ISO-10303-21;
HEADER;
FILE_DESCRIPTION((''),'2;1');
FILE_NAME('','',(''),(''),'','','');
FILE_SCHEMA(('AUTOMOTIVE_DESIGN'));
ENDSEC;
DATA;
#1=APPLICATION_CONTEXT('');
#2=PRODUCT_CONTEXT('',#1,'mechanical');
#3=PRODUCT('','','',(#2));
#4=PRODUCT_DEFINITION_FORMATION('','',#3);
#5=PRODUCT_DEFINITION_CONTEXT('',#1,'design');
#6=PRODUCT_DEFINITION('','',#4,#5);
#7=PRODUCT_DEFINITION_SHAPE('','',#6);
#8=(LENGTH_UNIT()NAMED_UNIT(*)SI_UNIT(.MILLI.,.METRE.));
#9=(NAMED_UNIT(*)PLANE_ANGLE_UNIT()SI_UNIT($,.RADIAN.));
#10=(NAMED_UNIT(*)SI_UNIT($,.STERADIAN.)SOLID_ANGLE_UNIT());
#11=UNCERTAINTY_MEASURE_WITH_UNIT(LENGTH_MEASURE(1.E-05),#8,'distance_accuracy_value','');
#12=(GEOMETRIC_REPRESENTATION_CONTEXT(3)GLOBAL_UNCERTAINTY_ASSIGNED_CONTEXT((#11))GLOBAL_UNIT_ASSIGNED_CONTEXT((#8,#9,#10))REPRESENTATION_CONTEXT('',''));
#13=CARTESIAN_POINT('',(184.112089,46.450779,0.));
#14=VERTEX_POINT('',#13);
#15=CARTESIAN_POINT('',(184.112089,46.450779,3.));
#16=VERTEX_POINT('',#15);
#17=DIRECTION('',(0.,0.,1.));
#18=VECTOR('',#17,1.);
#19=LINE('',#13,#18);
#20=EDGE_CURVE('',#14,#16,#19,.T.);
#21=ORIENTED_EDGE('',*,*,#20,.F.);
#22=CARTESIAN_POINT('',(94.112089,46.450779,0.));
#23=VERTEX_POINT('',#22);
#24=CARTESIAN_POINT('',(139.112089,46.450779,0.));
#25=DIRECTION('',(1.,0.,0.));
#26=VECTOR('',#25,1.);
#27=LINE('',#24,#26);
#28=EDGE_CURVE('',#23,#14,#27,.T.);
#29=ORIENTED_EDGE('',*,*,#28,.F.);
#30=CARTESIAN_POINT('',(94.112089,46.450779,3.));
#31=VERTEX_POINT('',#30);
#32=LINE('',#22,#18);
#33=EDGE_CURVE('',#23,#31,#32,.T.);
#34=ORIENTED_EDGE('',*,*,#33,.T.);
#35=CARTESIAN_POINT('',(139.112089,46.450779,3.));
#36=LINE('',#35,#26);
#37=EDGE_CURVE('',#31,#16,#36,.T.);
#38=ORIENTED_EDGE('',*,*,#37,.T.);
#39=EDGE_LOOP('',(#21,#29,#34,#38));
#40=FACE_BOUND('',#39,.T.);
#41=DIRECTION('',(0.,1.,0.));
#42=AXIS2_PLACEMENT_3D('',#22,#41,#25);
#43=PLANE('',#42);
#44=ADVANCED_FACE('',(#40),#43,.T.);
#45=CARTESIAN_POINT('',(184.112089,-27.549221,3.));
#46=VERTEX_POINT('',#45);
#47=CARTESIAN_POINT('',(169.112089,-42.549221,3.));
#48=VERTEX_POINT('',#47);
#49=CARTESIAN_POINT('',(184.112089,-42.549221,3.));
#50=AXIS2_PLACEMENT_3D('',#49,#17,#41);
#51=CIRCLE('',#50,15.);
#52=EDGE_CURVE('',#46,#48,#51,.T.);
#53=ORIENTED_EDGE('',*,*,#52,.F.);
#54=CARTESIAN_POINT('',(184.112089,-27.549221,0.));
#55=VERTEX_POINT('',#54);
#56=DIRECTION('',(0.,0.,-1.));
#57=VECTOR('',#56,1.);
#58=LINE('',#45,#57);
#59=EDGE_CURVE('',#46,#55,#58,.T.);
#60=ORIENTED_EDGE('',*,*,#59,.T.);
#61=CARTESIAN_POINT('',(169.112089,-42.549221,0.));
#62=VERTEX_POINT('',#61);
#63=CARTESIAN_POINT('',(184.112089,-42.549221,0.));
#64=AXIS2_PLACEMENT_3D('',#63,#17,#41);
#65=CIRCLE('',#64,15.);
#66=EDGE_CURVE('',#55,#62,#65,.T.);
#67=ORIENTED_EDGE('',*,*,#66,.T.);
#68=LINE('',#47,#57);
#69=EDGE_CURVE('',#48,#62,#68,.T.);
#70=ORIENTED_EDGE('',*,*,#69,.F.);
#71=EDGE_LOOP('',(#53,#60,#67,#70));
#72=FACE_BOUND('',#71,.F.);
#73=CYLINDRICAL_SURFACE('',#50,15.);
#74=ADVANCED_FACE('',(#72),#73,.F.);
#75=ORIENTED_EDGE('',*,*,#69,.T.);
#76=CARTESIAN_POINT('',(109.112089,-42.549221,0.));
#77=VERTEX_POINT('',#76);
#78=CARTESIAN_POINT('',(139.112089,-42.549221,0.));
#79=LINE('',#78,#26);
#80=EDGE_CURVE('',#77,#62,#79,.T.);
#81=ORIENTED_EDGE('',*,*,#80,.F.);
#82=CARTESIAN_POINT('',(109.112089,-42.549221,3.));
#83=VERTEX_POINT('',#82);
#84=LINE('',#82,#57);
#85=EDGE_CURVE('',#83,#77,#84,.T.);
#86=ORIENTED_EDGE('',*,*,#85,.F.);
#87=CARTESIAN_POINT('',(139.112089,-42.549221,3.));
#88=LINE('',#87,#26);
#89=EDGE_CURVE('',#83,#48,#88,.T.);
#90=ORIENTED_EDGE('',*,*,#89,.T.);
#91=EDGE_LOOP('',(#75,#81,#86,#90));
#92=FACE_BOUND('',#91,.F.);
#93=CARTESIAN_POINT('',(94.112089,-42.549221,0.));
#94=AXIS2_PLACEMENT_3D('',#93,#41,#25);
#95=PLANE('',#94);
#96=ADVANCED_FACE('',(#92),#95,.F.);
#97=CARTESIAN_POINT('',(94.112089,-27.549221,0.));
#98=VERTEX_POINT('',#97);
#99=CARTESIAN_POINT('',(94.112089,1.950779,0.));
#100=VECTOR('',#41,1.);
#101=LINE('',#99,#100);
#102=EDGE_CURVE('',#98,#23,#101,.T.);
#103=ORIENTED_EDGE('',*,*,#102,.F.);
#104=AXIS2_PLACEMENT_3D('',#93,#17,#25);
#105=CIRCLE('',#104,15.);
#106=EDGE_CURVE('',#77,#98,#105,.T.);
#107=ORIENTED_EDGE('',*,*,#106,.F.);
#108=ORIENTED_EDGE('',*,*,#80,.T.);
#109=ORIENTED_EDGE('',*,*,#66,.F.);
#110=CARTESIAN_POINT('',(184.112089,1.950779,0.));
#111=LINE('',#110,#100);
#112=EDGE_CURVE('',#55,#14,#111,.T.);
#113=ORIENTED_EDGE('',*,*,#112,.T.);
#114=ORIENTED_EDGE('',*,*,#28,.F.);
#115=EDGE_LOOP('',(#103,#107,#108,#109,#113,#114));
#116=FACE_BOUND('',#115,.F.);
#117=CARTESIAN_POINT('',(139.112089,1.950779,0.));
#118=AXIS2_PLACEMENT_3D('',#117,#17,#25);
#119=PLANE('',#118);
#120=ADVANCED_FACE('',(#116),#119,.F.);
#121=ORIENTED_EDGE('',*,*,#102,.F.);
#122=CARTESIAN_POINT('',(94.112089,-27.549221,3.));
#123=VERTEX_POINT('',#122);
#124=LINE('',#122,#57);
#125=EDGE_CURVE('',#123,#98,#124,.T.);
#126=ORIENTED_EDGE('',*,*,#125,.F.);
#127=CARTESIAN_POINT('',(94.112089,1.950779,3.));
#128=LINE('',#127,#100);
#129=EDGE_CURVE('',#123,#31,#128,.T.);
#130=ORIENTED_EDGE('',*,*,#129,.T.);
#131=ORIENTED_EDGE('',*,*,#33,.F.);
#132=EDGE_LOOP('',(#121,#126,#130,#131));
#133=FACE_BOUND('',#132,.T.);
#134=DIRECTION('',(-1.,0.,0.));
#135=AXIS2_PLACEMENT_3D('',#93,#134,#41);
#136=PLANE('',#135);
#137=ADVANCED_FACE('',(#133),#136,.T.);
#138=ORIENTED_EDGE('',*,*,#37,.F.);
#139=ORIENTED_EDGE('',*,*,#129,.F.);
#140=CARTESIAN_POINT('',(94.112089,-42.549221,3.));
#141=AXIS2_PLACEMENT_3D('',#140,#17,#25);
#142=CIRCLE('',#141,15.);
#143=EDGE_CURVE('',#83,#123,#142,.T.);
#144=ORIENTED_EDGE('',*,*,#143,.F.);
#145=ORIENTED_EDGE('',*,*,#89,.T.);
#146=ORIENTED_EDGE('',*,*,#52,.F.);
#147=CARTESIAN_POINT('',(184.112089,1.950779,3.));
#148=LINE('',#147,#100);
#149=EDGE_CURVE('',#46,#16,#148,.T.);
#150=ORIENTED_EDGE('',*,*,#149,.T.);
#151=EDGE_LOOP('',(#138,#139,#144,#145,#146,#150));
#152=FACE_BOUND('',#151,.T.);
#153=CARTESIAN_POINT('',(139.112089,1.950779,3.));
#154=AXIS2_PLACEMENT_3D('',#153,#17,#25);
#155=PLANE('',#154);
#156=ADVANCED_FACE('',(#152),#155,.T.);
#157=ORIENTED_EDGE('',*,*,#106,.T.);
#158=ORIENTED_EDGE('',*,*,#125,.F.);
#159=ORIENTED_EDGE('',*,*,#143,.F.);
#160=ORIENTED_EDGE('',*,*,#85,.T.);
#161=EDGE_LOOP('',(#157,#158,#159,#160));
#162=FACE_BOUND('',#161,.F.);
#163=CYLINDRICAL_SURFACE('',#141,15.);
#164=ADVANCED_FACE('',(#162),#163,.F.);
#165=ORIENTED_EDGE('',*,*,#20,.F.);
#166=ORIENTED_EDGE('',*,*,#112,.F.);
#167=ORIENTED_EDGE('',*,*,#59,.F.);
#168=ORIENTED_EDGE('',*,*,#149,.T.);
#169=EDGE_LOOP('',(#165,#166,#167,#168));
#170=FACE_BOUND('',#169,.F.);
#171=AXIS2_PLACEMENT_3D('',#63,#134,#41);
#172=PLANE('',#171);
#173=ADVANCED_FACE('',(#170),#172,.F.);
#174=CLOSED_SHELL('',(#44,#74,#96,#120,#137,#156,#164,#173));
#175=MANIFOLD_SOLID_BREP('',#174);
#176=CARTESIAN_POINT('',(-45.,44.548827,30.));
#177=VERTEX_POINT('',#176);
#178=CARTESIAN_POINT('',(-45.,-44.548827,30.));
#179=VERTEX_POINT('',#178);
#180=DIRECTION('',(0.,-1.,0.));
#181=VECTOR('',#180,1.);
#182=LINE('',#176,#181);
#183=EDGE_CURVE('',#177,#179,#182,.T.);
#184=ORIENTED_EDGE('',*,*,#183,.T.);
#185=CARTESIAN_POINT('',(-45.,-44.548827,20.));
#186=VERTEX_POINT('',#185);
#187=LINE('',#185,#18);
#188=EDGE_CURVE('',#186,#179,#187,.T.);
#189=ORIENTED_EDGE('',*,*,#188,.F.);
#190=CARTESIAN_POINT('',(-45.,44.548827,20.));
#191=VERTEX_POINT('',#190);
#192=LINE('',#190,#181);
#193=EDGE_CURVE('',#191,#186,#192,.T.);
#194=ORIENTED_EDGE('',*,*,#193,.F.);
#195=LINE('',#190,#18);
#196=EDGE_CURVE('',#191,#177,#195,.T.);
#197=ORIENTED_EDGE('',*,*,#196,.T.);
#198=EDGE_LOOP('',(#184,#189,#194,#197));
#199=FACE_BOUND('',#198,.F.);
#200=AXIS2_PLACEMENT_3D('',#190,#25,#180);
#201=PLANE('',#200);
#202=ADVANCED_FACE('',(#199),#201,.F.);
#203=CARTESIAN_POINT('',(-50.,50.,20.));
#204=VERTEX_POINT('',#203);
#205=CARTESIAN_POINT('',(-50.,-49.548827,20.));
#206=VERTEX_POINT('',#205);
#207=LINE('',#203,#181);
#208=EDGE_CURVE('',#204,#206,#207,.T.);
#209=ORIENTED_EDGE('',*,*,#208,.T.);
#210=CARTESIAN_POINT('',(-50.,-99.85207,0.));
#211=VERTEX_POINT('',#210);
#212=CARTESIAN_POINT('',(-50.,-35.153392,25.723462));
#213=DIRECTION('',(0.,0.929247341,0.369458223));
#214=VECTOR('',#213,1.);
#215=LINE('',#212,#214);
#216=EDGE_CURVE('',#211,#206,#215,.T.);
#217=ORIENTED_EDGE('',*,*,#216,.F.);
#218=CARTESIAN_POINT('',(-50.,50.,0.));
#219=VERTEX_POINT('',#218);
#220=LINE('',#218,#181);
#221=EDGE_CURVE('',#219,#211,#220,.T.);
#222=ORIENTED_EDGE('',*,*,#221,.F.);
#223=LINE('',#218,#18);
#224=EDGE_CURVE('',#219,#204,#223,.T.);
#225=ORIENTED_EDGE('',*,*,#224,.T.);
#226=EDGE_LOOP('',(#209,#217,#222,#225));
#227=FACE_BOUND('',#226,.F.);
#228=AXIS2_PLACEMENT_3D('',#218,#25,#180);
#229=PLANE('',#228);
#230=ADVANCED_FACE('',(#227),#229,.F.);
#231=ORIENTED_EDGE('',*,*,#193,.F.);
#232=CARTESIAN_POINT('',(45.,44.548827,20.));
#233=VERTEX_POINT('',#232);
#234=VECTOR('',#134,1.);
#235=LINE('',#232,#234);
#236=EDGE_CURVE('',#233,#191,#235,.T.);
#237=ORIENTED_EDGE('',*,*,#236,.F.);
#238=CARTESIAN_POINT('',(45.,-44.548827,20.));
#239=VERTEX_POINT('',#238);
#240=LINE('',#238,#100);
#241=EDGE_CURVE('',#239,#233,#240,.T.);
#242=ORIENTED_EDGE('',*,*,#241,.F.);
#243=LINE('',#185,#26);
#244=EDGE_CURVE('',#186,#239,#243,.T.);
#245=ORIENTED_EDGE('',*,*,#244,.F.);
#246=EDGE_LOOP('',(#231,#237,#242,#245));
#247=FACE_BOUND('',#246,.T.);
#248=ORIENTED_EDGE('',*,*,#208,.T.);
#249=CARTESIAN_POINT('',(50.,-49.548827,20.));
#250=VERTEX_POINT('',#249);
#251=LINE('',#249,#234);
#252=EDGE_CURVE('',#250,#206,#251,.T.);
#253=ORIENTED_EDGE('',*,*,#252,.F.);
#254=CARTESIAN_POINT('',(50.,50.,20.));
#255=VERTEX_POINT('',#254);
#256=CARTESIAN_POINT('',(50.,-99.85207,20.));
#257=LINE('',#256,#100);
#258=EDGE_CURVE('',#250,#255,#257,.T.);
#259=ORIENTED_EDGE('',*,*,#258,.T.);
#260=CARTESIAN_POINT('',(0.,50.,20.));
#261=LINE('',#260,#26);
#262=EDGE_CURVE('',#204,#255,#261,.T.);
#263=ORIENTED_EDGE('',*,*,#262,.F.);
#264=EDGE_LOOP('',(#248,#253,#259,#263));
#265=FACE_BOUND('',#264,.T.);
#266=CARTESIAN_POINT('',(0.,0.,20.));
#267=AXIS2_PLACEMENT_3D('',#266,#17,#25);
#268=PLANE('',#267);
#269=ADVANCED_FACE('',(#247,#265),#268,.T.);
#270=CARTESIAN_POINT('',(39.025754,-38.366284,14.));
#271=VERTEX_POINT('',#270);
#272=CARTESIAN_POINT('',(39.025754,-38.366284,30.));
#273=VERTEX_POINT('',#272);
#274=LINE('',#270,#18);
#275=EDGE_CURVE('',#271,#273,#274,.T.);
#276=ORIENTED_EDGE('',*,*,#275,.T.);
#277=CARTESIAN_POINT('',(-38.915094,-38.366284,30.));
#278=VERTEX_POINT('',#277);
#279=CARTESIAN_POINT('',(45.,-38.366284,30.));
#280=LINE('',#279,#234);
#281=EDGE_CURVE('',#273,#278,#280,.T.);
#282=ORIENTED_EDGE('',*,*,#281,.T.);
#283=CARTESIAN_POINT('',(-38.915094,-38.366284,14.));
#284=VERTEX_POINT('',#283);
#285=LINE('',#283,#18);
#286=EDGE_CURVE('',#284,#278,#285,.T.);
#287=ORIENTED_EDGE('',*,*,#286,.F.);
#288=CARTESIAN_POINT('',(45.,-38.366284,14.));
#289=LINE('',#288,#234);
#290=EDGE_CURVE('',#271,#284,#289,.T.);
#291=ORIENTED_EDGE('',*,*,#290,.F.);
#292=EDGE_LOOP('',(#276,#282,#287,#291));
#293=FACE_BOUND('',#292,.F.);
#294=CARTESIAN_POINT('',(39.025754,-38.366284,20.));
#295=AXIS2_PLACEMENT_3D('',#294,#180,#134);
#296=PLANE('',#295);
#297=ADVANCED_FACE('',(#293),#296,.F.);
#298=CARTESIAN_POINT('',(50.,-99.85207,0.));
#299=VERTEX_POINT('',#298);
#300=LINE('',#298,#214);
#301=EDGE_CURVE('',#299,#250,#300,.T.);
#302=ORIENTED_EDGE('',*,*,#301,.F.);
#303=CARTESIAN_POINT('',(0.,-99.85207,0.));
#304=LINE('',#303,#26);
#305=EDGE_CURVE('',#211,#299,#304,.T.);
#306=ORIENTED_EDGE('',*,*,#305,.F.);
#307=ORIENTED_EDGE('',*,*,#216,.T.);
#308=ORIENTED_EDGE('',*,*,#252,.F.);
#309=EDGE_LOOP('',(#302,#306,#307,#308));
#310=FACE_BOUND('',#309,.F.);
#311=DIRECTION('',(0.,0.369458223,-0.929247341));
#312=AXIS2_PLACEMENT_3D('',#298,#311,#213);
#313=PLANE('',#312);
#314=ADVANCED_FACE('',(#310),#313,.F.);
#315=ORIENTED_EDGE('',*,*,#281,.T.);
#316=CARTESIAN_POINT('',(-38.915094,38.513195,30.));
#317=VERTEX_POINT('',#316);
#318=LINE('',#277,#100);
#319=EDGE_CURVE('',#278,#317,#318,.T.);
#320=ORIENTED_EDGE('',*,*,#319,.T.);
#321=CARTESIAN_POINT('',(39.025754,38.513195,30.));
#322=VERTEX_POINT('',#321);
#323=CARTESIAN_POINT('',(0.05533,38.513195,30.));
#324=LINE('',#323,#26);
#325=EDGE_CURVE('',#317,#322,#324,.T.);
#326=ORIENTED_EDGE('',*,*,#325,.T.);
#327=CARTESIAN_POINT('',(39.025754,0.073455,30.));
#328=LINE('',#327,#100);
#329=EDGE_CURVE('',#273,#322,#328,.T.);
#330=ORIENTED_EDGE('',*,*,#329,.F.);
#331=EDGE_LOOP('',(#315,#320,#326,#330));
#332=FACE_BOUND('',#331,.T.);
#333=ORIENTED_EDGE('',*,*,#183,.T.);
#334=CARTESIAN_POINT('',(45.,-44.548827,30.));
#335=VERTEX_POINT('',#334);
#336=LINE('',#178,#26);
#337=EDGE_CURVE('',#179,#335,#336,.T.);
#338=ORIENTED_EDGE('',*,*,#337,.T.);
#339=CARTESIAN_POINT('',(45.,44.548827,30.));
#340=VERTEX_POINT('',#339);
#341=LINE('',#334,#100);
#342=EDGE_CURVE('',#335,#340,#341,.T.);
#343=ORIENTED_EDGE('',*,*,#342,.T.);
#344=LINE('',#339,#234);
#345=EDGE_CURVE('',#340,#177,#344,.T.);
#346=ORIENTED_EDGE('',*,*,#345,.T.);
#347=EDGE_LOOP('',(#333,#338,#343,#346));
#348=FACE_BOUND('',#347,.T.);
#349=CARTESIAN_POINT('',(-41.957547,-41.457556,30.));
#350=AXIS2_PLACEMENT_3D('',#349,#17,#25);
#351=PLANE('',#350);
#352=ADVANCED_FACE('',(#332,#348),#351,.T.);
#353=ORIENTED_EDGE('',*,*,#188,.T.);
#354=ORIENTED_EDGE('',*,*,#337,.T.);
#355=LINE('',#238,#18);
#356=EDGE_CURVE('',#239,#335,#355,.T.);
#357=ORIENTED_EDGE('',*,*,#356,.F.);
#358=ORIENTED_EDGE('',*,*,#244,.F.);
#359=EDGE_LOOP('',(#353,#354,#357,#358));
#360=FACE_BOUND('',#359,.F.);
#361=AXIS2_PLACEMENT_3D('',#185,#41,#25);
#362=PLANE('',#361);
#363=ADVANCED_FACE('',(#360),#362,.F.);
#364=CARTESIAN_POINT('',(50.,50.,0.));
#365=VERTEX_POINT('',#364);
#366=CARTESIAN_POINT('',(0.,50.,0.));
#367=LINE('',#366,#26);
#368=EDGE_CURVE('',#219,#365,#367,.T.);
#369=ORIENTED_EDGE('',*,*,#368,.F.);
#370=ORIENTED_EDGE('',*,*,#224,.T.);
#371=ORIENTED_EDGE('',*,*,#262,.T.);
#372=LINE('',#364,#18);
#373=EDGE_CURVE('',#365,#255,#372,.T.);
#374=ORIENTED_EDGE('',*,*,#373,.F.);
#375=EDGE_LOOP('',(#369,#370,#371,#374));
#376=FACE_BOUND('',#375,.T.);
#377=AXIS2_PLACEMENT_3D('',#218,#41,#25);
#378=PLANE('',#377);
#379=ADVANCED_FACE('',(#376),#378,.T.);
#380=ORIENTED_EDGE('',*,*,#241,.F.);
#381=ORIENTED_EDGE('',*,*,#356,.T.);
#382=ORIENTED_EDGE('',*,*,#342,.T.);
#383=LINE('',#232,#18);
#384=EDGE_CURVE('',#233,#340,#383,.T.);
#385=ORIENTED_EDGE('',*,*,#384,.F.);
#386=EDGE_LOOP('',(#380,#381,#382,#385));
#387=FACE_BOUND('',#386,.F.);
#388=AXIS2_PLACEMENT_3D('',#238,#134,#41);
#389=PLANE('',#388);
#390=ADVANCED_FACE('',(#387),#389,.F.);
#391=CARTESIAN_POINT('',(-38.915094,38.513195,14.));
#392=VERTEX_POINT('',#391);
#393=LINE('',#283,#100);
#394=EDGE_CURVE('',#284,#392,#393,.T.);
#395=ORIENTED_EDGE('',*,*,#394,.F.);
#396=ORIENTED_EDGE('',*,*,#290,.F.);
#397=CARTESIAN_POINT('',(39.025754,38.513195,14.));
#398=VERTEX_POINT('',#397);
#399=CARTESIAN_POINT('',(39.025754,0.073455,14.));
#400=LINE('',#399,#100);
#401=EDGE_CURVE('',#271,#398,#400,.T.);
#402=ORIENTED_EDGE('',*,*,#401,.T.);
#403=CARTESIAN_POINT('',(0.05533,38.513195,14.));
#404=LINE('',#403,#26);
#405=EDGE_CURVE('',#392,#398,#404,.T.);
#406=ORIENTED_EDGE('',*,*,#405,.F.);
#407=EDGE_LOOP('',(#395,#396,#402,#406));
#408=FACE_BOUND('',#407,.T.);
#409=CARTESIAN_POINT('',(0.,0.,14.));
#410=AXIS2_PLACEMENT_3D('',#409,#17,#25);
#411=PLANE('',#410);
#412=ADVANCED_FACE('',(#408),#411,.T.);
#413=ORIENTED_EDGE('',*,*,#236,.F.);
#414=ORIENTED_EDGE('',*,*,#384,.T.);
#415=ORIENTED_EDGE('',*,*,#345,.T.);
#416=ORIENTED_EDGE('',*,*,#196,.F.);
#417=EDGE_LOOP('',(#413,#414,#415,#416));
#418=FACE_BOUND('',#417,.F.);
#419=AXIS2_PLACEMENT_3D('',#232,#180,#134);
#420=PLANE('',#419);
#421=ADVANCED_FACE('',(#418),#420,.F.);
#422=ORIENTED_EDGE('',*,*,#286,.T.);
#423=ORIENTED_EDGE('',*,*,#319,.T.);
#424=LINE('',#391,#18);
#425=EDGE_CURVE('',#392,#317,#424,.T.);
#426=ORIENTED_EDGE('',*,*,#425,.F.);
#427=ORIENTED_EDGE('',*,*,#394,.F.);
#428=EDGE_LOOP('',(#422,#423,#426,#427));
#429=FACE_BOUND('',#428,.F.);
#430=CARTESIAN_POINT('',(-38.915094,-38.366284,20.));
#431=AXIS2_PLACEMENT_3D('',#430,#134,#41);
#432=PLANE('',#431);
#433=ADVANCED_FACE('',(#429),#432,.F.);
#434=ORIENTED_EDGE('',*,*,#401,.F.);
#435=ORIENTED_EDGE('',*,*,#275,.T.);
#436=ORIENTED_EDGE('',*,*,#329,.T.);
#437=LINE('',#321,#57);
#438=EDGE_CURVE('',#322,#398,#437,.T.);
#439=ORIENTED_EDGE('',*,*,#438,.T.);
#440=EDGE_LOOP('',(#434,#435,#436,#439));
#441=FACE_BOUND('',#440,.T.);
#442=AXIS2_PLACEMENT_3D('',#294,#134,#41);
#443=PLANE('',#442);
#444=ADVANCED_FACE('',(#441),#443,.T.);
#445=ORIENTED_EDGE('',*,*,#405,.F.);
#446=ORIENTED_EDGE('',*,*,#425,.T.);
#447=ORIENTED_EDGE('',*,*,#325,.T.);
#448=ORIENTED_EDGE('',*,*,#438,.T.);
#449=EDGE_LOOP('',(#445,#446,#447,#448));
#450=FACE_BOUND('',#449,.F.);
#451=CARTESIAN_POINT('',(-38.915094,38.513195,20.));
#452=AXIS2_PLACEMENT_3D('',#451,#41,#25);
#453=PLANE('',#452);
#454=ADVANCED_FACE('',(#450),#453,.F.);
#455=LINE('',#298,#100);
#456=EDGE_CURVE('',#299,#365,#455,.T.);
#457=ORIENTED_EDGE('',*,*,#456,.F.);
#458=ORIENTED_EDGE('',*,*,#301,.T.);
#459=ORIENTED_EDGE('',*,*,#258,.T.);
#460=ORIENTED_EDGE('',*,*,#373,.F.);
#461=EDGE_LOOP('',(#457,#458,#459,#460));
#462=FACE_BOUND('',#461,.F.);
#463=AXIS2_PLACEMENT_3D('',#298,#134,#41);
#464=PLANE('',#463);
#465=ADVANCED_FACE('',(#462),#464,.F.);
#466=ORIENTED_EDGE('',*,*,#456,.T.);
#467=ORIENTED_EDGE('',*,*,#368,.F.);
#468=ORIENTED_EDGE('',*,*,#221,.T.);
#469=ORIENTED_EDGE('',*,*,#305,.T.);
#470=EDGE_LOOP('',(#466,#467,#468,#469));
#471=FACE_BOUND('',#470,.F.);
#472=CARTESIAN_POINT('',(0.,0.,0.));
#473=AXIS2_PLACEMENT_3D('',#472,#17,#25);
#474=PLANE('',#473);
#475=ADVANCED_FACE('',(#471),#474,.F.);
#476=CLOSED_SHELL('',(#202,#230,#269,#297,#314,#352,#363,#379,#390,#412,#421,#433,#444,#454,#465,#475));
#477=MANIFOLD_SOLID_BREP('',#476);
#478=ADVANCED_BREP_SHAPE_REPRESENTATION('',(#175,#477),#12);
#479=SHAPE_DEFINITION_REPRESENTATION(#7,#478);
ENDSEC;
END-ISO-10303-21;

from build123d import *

# Parameters (mm, degrees)
F0_W      = 100
F0_H      = 100
F0_H_2    = 49.8520702124
F1_DEPTH  = 20
F3_DEPTH  = 100.001
F4_W      = 6.0849060118
F4_H      = 6.1825428903
F4_W_2    = 77.9408477247
F4_H_2    = 76.879478991
F4_W_3    = 5.9742462635
F4_H_3    = 6.0356323421
F5_DEPTH  = 10
F6_DEPTH  = 6
F7_W      = 90
F7_H      = 89
F8_DEPTH  = 3
F10_DEPTH = 25


with BuildPart() as f1:
    # F0 (on Top) → F1 (new body)
    with BuildSketch(Plane.XY):
        Rectangle(F0_W, F0_H)
        with Locations((0, -74.9260351062)):
            Rectangle(F0_W, F0_H_2)
    extrude(amount=F1_DEPTH)

    # F2 (on face) → F3 (cut, through all)
    with BuildSketch(Plane.YZ.offset(50)):
        Polygon((-99.8520702124, 20), (-99.8520702124, 0), (-49.5488271117, 20), align=None)
    extrude(amount=-F3_DEPTH, mode=Mode.SUBTRACT)

    # F4 (on face) → F5 (join)
    with BuildSketch(Plane.XY.offset(20)):
        with Locations((-41.9575469941, -41.4575556666)):
            Rectangle(F4_W, F4_H)
        with Locations((0.0553298742, -41.4575556666)):
            Rectangle(F4_W_2, F4_H)
        with Locations((-41.9575469941, 0.0734552741)):
            Rectangle(F4_W, F4_H_2)
        with Locations((42.0128768682, -41.4575556666)):
            Rectangle(F4_W_3, F4_H)
        with Locations((-41.9575469941, 41.5310109407)):
            Rectangle(F4_W, F4_H_3)
        with Locations((0.0553298742, 41.5310109407)):
            Rectangle(F4_W_2, F4_H_3)
        with Locations((42.0128768682, 0.0734552741)):
            Rectangle(F4_W_3, F4_H_2)
        with Locations((42.0128768682, 41.5310109407)):
            Rectangle(F4_W_3, F4_H_3)
    extrude(amount=F5_DEPTH)

    # F6 (cut): a face of the model
    f6_faces = [f1.faces().sort_by_distance(p)[0] for p in [
        (0.0553298742, 0.0734552741, 20),
    ]]
    extrude(f6_faces, amount=-F6_DEPTH, mode=Mode.SUBTRACT)


with BuildPart() as f8:
    # F7 (on Top) → F8 (new body)
    with BuildSketch(Plane.XY):
        with Locations((139.1120888293, 1.9507788171)):
            Rectangle(F7_W, F7_H)
    extrude(amount=F8_DEPTH)

    # F9 (on face) → F10 (cut)
    with BuildSketch(Plane.XY.offset(3)):
        with BuildLine():
            Line((94.1120888293, -42.5492211829), (109.1120888293, -42.5492211829))
            ThreePointArc((109.1120888293, -42.5492211829), (104.7186905471, -31.9426194651), (94.1120888293, -27.5492211829))
            Line((94.1120888293, -27.5492211829), (94.1120888293, -42.5492211829))
        make_face()
        with BuildLine():
            ThreePointArc((184.1120888293, -27.5492211829), (173.5054871115, -31.9426194651), (169.1120888293, -42.5492211829))
            Line((169.1120888293, -42.5492211829), (184.1120888293, -42.5492211829))
            Line((184.1120888293, -42.5492211829), (184.1120888293, -27.5492211829))
        make_face()
    extrude(amount=-F10_DEPTH, mode=Mode.SUBTRACT)


solid = Compound([f1.part, f8.part])
